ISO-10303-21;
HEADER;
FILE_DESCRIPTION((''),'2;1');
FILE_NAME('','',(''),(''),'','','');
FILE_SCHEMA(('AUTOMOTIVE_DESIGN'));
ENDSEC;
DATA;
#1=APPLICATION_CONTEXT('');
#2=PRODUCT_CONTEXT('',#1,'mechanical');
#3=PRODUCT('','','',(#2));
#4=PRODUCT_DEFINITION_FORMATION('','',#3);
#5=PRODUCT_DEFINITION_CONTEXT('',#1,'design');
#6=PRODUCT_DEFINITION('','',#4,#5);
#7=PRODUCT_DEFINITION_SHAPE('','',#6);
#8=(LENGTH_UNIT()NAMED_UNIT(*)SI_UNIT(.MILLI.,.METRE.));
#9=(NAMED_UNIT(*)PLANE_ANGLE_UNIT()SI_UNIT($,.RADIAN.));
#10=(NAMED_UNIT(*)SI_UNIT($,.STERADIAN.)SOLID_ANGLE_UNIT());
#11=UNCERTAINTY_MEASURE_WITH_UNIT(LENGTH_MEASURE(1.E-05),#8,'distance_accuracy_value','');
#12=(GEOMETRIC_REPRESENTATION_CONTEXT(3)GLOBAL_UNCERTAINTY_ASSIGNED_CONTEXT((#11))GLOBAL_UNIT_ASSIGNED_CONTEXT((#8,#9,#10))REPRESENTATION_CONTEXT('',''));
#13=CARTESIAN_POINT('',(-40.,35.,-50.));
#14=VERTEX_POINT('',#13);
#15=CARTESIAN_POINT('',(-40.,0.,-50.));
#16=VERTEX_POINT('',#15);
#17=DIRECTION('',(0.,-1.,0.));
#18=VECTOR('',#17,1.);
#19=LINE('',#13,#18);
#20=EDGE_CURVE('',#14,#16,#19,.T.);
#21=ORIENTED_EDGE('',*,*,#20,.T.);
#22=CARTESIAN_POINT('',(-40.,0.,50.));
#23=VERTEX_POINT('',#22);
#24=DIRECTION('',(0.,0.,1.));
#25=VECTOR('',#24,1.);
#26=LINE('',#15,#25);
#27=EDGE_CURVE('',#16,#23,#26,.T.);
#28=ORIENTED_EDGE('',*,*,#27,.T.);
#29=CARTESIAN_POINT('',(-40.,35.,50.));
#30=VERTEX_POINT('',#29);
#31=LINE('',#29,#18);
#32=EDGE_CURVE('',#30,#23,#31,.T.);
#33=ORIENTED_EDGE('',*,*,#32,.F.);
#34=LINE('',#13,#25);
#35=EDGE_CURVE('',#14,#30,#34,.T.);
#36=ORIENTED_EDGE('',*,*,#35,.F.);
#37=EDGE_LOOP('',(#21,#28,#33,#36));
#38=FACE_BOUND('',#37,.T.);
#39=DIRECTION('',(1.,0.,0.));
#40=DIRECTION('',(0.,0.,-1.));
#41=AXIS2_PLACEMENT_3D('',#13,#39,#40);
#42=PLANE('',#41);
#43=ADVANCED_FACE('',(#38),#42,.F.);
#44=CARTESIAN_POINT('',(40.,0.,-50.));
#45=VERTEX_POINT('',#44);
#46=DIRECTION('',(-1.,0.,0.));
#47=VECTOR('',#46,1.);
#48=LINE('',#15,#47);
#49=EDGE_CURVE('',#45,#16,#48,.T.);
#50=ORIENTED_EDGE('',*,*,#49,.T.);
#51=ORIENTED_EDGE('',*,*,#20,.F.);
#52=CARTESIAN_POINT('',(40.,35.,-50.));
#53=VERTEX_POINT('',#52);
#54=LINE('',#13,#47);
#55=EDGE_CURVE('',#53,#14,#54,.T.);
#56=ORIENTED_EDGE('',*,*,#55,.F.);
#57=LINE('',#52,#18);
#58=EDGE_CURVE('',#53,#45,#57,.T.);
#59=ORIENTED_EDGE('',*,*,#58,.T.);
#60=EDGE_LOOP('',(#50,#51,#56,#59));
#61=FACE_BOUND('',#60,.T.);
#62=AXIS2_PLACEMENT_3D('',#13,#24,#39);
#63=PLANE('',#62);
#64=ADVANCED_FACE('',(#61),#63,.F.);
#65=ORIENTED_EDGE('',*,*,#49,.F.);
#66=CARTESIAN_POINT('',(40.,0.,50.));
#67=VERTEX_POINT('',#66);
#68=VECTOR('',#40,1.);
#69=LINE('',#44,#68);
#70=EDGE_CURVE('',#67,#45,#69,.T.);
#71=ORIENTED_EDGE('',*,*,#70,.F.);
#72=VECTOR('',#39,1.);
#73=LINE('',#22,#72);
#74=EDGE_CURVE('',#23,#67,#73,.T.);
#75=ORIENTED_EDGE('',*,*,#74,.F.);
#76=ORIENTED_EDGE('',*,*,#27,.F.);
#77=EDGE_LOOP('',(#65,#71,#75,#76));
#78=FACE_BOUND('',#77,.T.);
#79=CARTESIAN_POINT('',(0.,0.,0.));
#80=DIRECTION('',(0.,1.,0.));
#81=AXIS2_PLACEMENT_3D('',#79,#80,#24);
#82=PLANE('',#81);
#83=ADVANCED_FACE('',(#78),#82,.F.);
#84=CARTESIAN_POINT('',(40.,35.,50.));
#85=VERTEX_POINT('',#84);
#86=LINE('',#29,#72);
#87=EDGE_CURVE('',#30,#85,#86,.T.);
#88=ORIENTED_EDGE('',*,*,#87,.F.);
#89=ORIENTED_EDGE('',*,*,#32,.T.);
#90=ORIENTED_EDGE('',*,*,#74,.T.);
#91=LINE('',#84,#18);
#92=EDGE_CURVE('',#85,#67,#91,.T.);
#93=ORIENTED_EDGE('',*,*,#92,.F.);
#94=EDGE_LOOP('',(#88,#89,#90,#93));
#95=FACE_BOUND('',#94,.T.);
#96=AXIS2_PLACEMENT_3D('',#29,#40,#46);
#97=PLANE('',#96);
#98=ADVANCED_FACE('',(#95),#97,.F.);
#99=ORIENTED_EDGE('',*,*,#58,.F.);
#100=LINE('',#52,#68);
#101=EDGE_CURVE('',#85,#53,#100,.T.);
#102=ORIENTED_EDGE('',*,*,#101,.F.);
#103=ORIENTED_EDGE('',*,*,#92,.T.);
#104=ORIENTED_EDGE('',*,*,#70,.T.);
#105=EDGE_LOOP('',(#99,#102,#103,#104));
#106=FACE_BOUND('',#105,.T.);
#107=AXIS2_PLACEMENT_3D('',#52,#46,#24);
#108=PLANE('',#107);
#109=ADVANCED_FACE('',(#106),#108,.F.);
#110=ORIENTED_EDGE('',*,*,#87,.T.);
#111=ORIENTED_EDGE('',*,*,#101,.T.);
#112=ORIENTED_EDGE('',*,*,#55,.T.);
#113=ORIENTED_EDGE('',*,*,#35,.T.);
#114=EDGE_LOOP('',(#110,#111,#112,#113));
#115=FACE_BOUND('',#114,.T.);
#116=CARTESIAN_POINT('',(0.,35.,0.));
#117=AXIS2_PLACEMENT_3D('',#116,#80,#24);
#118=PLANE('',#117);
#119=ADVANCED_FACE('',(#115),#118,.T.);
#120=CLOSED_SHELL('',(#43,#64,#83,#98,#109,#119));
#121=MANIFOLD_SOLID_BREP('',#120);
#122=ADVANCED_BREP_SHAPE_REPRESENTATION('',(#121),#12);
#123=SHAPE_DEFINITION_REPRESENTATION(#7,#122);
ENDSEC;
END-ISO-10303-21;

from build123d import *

# Parameters (mm, degrees)
SKIZZE1_W                       = 80
SKIZZE1_H                       = 100
AUFSATZ_LINEAR_AUSTRAGEN1_DEPTH = 35


with BuildPart() as part:
    # Skizze1 → Aufsatz-Linear austragen1 (new body)
    with BuildSketch(Plane(origin=(0, 0, 0), x_dir=(1, 0, 0), z_dir=(0, 1, 0))):
        Rectangle(SKIZZE1_W, SKIZZE1_H)
    extrude(amount=AUFSATZ_LINEAR_AUSTRAGEN1_DEPTH)


solid = part.part
